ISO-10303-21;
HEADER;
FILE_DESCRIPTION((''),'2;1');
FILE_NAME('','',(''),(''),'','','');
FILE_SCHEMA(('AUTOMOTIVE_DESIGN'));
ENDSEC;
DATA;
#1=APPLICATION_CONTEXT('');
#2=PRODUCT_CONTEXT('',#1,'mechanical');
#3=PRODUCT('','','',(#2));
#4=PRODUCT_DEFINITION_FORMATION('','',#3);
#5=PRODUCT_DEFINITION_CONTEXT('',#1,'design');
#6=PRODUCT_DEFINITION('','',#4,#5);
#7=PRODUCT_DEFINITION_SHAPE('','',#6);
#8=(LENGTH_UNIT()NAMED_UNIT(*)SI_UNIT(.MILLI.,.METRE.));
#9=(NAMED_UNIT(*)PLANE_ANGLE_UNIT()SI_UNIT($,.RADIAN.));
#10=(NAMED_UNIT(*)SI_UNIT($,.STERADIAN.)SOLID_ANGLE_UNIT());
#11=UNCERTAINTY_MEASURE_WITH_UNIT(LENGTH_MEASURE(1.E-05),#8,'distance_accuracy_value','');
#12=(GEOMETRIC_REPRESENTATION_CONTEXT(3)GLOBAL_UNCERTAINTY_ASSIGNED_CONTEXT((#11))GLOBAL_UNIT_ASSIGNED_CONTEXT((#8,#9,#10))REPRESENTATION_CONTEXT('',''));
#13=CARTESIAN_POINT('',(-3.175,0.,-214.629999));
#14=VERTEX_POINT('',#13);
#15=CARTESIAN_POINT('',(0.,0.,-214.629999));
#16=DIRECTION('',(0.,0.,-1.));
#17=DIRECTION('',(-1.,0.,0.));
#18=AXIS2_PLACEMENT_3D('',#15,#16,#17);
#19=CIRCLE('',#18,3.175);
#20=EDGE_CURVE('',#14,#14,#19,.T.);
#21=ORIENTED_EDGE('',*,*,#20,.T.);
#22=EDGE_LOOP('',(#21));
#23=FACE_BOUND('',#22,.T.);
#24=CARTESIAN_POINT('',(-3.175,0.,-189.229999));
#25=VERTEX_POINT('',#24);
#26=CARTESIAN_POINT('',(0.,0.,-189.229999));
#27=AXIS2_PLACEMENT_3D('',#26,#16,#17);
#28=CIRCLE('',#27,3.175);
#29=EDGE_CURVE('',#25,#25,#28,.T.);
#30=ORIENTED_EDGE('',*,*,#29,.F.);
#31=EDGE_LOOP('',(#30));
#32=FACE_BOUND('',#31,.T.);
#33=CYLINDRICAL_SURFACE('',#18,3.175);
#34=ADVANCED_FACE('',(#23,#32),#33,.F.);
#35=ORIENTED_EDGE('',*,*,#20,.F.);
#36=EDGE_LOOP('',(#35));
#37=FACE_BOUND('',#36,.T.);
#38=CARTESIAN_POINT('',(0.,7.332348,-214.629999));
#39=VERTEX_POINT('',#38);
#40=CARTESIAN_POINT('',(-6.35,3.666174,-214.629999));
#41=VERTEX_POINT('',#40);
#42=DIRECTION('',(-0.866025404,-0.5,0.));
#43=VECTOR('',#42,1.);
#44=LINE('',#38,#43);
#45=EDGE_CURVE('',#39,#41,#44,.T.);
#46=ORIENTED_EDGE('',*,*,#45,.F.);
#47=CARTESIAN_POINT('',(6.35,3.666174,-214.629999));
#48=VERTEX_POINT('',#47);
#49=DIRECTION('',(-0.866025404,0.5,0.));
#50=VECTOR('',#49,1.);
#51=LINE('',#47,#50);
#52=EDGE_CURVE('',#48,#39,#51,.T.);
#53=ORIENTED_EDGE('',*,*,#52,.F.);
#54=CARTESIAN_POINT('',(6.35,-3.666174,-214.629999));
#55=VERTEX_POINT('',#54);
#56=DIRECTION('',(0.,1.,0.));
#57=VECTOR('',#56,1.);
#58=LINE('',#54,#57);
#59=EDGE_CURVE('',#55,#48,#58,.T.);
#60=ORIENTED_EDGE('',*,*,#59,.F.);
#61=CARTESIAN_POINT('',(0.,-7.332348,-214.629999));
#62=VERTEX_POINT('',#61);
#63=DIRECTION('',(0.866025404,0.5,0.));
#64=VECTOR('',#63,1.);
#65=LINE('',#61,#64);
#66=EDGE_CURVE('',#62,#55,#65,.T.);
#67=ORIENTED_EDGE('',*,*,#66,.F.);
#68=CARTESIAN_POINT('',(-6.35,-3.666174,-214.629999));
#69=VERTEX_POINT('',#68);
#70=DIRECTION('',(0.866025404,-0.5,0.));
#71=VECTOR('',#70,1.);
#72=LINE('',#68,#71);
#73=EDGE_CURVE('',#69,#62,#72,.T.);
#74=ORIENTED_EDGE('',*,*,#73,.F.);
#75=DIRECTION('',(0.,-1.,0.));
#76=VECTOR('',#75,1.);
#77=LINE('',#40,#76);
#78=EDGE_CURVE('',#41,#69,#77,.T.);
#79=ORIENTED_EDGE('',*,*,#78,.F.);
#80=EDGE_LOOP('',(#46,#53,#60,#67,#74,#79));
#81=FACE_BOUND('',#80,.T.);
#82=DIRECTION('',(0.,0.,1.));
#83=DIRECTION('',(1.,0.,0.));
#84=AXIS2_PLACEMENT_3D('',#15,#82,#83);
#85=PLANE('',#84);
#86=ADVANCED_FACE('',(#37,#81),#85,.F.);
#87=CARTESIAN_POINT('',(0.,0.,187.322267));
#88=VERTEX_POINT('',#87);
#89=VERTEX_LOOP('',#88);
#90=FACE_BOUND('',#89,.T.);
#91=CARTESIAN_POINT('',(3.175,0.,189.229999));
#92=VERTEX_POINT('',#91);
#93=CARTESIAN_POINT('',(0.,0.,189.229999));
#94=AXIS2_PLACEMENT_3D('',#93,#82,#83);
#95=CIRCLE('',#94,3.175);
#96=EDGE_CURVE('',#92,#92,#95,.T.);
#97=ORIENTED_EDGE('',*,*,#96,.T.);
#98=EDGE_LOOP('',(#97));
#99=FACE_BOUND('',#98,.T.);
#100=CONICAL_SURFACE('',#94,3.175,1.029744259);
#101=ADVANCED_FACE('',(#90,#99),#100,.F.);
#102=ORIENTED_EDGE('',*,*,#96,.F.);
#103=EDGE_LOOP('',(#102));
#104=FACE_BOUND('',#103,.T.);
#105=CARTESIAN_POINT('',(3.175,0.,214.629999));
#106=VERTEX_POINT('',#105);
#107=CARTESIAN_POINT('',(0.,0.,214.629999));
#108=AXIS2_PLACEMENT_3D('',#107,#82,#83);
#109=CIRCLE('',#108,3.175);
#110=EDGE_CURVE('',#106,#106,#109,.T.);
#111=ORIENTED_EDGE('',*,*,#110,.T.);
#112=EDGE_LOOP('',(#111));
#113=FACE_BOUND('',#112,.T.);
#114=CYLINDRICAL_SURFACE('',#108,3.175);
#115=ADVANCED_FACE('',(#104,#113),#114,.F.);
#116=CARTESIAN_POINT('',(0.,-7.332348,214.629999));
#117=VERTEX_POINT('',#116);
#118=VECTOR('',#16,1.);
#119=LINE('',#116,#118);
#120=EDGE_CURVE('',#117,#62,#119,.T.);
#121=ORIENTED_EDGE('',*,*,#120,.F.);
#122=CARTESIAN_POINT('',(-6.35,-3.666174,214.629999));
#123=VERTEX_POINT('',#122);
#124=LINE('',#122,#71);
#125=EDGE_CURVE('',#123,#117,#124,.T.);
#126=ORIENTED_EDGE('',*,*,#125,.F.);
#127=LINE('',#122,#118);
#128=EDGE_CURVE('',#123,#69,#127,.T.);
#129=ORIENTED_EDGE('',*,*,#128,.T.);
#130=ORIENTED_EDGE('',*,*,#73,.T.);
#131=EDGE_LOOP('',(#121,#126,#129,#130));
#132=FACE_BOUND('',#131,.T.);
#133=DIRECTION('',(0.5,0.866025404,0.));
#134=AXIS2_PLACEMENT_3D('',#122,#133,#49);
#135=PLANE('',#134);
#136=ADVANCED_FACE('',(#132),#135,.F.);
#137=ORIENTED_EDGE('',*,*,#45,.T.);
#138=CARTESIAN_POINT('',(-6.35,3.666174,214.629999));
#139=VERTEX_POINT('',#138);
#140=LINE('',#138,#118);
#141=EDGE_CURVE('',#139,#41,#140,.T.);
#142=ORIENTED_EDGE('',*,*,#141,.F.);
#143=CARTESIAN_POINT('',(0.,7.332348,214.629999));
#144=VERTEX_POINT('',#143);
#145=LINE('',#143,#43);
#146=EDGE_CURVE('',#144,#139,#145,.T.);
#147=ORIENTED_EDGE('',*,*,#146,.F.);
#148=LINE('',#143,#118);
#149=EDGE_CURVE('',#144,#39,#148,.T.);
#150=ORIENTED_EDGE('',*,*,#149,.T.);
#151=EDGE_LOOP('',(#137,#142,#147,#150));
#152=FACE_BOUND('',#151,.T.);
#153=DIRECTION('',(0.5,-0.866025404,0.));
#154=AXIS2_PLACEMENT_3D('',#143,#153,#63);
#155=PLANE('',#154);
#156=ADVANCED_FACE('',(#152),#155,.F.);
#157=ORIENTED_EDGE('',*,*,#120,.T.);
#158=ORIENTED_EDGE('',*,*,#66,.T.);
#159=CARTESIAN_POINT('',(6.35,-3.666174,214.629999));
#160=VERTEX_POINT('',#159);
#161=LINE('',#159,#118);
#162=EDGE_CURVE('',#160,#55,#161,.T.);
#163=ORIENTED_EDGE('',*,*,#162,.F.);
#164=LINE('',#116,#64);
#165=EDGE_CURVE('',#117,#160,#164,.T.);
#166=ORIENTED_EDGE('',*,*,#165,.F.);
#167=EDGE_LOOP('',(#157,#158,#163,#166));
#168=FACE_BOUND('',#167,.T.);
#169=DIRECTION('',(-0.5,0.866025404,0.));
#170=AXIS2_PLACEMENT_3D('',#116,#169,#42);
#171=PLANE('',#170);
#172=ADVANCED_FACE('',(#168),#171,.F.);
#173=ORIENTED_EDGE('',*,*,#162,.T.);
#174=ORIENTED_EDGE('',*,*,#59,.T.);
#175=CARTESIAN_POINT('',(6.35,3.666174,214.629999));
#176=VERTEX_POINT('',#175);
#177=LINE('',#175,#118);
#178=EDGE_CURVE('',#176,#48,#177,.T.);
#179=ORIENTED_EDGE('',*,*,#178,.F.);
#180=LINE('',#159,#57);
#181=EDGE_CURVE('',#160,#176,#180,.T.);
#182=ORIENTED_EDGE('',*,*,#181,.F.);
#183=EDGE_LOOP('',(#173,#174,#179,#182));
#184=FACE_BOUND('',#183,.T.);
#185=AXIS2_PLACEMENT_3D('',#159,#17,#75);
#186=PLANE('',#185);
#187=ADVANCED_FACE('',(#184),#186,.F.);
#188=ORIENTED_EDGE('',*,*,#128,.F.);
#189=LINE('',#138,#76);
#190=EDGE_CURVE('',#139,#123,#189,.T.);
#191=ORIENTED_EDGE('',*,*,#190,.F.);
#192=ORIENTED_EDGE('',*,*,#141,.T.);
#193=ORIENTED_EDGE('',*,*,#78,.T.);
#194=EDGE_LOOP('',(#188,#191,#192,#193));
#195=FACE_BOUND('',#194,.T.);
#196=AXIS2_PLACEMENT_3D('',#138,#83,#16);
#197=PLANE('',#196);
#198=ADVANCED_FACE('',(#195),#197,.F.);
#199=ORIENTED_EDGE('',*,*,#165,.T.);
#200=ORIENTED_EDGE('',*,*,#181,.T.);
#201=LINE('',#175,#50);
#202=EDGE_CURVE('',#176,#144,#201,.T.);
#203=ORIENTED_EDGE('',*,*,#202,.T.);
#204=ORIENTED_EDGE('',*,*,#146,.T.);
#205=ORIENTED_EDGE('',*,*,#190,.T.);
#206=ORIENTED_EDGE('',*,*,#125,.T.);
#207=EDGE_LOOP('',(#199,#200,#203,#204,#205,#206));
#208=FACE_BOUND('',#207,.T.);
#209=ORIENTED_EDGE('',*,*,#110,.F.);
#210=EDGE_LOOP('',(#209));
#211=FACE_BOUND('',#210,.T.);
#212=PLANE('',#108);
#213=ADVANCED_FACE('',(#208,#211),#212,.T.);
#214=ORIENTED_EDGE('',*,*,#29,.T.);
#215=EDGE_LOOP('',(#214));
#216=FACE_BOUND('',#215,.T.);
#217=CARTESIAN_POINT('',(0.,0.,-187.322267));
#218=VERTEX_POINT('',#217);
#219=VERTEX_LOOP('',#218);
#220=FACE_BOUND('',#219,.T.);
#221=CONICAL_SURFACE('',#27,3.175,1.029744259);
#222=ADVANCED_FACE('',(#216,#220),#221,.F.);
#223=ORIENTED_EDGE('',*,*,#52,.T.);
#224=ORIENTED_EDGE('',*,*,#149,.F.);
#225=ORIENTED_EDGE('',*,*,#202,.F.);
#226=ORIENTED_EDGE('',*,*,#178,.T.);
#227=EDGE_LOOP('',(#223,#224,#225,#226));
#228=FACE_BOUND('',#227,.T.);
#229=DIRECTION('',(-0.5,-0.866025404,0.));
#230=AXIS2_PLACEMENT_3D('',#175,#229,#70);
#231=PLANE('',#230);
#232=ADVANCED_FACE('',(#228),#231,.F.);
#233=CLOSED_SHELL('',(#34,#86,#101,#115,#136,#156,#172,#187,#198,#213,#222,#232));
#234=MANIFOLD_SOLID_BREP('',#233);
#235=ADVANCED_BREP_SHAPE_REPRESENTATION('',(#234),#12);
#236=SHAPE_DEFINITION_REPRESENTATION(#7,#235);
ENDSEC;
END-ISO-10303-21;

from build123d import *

# Parameters (mm, degrees)
BOSS_EXTRUDE2_DEPTH             = 214.629999
BOSS_EXTRUDE2_DEPTH_BACK        = 214.629999
F_1_4_0_25_DIAMETER_HOLE1_D     = 6.35
F_1_4_0_25_DIAMETER_HOLE1_DEPTH = 25.4
F_1_4_0_25_DIAMETER_HOLE1_TIP   = 1.907732465
F_1_4_0_25_DIAMETER_HOLE2_D     = 6.35
F_1_4_0_25_DIAMETER_HOLE2_DEPTH = 25.4
F_1_4_0_25_DIAMETER_HOLE2_TIP   = 1.907732465


with BuildPart() as part:
    # Sketch3 → Boss-Extrude2 (new, two sides: drawn at the far end of the back side and taken through both)
    with BuildSketch(Plane.XY.offset(-BOSS_EXTRUDE2_DEPTH_BACK)):
        Polygon((-6.35, -3.666174209), (0, -7.332348419), (6.35, -3.666174209), (6.35, 3.666174209), (0, 7.332348419), (-6.35, 3.666174209), align=None)
    extrude(amount=BOSS_EXTRUDE2_DEPTH + BOSS_EXTRUDE2_DEPTH_BACK)

    # 1/4 (0.25) Diameter Hole1
    with Locations(Plane.XY.offset(214.629999492)):
        with Locations((0, 0)):
            Hole(F_1_4_0_25_DIAMETER_HOLE1_D / 2, depth=F_1_4_0_25_DIAMETER_HOLE1_DEPTH)
            with Locations((0, 0, -(F_1_4_0_25_DIAMETER_HOLE1_DEPTH + F_1_4_0_25_DIAMETER_HOLE1_TIP / 2))):  # 118° drill point
                Cone(0, F_1_4_0_25_DIAMETER_HOLE1_D / 2, F_1_4_0_25_DIAMETER_HOLE1_TIP, mode=Mode.SUBTRACT)

    # 1/4 (0.25) Diameter Hole2
    with Locations(Plane(origin=(0, 0, -214.629999492), x_dir=(-1, 0, 0), z_dir=(0, 0, -1))):
        with Locations((0, 0)):
            Hole(F_1_4_0_25_DIAMETER_HOLE2_D / 2, depth=F_1_4_0_25_DIAMETER_HOLE2_DEPTH)
            with Locations((0, 0, -(F_1_4_0_25_DIAMETER_HOLE2_DEPTH + F_1_4_0_25_DIAMETER_HOLE2_TIP / 2))):  # 118° drill point
                Cone(0, F_1_4_0_25_DIAMETER_HOLE2_D / 2, F_1_4_0_25_DIAMETER_HOLE2_TIP, mode=Mode.SUBTRACT)


solid = part.part
